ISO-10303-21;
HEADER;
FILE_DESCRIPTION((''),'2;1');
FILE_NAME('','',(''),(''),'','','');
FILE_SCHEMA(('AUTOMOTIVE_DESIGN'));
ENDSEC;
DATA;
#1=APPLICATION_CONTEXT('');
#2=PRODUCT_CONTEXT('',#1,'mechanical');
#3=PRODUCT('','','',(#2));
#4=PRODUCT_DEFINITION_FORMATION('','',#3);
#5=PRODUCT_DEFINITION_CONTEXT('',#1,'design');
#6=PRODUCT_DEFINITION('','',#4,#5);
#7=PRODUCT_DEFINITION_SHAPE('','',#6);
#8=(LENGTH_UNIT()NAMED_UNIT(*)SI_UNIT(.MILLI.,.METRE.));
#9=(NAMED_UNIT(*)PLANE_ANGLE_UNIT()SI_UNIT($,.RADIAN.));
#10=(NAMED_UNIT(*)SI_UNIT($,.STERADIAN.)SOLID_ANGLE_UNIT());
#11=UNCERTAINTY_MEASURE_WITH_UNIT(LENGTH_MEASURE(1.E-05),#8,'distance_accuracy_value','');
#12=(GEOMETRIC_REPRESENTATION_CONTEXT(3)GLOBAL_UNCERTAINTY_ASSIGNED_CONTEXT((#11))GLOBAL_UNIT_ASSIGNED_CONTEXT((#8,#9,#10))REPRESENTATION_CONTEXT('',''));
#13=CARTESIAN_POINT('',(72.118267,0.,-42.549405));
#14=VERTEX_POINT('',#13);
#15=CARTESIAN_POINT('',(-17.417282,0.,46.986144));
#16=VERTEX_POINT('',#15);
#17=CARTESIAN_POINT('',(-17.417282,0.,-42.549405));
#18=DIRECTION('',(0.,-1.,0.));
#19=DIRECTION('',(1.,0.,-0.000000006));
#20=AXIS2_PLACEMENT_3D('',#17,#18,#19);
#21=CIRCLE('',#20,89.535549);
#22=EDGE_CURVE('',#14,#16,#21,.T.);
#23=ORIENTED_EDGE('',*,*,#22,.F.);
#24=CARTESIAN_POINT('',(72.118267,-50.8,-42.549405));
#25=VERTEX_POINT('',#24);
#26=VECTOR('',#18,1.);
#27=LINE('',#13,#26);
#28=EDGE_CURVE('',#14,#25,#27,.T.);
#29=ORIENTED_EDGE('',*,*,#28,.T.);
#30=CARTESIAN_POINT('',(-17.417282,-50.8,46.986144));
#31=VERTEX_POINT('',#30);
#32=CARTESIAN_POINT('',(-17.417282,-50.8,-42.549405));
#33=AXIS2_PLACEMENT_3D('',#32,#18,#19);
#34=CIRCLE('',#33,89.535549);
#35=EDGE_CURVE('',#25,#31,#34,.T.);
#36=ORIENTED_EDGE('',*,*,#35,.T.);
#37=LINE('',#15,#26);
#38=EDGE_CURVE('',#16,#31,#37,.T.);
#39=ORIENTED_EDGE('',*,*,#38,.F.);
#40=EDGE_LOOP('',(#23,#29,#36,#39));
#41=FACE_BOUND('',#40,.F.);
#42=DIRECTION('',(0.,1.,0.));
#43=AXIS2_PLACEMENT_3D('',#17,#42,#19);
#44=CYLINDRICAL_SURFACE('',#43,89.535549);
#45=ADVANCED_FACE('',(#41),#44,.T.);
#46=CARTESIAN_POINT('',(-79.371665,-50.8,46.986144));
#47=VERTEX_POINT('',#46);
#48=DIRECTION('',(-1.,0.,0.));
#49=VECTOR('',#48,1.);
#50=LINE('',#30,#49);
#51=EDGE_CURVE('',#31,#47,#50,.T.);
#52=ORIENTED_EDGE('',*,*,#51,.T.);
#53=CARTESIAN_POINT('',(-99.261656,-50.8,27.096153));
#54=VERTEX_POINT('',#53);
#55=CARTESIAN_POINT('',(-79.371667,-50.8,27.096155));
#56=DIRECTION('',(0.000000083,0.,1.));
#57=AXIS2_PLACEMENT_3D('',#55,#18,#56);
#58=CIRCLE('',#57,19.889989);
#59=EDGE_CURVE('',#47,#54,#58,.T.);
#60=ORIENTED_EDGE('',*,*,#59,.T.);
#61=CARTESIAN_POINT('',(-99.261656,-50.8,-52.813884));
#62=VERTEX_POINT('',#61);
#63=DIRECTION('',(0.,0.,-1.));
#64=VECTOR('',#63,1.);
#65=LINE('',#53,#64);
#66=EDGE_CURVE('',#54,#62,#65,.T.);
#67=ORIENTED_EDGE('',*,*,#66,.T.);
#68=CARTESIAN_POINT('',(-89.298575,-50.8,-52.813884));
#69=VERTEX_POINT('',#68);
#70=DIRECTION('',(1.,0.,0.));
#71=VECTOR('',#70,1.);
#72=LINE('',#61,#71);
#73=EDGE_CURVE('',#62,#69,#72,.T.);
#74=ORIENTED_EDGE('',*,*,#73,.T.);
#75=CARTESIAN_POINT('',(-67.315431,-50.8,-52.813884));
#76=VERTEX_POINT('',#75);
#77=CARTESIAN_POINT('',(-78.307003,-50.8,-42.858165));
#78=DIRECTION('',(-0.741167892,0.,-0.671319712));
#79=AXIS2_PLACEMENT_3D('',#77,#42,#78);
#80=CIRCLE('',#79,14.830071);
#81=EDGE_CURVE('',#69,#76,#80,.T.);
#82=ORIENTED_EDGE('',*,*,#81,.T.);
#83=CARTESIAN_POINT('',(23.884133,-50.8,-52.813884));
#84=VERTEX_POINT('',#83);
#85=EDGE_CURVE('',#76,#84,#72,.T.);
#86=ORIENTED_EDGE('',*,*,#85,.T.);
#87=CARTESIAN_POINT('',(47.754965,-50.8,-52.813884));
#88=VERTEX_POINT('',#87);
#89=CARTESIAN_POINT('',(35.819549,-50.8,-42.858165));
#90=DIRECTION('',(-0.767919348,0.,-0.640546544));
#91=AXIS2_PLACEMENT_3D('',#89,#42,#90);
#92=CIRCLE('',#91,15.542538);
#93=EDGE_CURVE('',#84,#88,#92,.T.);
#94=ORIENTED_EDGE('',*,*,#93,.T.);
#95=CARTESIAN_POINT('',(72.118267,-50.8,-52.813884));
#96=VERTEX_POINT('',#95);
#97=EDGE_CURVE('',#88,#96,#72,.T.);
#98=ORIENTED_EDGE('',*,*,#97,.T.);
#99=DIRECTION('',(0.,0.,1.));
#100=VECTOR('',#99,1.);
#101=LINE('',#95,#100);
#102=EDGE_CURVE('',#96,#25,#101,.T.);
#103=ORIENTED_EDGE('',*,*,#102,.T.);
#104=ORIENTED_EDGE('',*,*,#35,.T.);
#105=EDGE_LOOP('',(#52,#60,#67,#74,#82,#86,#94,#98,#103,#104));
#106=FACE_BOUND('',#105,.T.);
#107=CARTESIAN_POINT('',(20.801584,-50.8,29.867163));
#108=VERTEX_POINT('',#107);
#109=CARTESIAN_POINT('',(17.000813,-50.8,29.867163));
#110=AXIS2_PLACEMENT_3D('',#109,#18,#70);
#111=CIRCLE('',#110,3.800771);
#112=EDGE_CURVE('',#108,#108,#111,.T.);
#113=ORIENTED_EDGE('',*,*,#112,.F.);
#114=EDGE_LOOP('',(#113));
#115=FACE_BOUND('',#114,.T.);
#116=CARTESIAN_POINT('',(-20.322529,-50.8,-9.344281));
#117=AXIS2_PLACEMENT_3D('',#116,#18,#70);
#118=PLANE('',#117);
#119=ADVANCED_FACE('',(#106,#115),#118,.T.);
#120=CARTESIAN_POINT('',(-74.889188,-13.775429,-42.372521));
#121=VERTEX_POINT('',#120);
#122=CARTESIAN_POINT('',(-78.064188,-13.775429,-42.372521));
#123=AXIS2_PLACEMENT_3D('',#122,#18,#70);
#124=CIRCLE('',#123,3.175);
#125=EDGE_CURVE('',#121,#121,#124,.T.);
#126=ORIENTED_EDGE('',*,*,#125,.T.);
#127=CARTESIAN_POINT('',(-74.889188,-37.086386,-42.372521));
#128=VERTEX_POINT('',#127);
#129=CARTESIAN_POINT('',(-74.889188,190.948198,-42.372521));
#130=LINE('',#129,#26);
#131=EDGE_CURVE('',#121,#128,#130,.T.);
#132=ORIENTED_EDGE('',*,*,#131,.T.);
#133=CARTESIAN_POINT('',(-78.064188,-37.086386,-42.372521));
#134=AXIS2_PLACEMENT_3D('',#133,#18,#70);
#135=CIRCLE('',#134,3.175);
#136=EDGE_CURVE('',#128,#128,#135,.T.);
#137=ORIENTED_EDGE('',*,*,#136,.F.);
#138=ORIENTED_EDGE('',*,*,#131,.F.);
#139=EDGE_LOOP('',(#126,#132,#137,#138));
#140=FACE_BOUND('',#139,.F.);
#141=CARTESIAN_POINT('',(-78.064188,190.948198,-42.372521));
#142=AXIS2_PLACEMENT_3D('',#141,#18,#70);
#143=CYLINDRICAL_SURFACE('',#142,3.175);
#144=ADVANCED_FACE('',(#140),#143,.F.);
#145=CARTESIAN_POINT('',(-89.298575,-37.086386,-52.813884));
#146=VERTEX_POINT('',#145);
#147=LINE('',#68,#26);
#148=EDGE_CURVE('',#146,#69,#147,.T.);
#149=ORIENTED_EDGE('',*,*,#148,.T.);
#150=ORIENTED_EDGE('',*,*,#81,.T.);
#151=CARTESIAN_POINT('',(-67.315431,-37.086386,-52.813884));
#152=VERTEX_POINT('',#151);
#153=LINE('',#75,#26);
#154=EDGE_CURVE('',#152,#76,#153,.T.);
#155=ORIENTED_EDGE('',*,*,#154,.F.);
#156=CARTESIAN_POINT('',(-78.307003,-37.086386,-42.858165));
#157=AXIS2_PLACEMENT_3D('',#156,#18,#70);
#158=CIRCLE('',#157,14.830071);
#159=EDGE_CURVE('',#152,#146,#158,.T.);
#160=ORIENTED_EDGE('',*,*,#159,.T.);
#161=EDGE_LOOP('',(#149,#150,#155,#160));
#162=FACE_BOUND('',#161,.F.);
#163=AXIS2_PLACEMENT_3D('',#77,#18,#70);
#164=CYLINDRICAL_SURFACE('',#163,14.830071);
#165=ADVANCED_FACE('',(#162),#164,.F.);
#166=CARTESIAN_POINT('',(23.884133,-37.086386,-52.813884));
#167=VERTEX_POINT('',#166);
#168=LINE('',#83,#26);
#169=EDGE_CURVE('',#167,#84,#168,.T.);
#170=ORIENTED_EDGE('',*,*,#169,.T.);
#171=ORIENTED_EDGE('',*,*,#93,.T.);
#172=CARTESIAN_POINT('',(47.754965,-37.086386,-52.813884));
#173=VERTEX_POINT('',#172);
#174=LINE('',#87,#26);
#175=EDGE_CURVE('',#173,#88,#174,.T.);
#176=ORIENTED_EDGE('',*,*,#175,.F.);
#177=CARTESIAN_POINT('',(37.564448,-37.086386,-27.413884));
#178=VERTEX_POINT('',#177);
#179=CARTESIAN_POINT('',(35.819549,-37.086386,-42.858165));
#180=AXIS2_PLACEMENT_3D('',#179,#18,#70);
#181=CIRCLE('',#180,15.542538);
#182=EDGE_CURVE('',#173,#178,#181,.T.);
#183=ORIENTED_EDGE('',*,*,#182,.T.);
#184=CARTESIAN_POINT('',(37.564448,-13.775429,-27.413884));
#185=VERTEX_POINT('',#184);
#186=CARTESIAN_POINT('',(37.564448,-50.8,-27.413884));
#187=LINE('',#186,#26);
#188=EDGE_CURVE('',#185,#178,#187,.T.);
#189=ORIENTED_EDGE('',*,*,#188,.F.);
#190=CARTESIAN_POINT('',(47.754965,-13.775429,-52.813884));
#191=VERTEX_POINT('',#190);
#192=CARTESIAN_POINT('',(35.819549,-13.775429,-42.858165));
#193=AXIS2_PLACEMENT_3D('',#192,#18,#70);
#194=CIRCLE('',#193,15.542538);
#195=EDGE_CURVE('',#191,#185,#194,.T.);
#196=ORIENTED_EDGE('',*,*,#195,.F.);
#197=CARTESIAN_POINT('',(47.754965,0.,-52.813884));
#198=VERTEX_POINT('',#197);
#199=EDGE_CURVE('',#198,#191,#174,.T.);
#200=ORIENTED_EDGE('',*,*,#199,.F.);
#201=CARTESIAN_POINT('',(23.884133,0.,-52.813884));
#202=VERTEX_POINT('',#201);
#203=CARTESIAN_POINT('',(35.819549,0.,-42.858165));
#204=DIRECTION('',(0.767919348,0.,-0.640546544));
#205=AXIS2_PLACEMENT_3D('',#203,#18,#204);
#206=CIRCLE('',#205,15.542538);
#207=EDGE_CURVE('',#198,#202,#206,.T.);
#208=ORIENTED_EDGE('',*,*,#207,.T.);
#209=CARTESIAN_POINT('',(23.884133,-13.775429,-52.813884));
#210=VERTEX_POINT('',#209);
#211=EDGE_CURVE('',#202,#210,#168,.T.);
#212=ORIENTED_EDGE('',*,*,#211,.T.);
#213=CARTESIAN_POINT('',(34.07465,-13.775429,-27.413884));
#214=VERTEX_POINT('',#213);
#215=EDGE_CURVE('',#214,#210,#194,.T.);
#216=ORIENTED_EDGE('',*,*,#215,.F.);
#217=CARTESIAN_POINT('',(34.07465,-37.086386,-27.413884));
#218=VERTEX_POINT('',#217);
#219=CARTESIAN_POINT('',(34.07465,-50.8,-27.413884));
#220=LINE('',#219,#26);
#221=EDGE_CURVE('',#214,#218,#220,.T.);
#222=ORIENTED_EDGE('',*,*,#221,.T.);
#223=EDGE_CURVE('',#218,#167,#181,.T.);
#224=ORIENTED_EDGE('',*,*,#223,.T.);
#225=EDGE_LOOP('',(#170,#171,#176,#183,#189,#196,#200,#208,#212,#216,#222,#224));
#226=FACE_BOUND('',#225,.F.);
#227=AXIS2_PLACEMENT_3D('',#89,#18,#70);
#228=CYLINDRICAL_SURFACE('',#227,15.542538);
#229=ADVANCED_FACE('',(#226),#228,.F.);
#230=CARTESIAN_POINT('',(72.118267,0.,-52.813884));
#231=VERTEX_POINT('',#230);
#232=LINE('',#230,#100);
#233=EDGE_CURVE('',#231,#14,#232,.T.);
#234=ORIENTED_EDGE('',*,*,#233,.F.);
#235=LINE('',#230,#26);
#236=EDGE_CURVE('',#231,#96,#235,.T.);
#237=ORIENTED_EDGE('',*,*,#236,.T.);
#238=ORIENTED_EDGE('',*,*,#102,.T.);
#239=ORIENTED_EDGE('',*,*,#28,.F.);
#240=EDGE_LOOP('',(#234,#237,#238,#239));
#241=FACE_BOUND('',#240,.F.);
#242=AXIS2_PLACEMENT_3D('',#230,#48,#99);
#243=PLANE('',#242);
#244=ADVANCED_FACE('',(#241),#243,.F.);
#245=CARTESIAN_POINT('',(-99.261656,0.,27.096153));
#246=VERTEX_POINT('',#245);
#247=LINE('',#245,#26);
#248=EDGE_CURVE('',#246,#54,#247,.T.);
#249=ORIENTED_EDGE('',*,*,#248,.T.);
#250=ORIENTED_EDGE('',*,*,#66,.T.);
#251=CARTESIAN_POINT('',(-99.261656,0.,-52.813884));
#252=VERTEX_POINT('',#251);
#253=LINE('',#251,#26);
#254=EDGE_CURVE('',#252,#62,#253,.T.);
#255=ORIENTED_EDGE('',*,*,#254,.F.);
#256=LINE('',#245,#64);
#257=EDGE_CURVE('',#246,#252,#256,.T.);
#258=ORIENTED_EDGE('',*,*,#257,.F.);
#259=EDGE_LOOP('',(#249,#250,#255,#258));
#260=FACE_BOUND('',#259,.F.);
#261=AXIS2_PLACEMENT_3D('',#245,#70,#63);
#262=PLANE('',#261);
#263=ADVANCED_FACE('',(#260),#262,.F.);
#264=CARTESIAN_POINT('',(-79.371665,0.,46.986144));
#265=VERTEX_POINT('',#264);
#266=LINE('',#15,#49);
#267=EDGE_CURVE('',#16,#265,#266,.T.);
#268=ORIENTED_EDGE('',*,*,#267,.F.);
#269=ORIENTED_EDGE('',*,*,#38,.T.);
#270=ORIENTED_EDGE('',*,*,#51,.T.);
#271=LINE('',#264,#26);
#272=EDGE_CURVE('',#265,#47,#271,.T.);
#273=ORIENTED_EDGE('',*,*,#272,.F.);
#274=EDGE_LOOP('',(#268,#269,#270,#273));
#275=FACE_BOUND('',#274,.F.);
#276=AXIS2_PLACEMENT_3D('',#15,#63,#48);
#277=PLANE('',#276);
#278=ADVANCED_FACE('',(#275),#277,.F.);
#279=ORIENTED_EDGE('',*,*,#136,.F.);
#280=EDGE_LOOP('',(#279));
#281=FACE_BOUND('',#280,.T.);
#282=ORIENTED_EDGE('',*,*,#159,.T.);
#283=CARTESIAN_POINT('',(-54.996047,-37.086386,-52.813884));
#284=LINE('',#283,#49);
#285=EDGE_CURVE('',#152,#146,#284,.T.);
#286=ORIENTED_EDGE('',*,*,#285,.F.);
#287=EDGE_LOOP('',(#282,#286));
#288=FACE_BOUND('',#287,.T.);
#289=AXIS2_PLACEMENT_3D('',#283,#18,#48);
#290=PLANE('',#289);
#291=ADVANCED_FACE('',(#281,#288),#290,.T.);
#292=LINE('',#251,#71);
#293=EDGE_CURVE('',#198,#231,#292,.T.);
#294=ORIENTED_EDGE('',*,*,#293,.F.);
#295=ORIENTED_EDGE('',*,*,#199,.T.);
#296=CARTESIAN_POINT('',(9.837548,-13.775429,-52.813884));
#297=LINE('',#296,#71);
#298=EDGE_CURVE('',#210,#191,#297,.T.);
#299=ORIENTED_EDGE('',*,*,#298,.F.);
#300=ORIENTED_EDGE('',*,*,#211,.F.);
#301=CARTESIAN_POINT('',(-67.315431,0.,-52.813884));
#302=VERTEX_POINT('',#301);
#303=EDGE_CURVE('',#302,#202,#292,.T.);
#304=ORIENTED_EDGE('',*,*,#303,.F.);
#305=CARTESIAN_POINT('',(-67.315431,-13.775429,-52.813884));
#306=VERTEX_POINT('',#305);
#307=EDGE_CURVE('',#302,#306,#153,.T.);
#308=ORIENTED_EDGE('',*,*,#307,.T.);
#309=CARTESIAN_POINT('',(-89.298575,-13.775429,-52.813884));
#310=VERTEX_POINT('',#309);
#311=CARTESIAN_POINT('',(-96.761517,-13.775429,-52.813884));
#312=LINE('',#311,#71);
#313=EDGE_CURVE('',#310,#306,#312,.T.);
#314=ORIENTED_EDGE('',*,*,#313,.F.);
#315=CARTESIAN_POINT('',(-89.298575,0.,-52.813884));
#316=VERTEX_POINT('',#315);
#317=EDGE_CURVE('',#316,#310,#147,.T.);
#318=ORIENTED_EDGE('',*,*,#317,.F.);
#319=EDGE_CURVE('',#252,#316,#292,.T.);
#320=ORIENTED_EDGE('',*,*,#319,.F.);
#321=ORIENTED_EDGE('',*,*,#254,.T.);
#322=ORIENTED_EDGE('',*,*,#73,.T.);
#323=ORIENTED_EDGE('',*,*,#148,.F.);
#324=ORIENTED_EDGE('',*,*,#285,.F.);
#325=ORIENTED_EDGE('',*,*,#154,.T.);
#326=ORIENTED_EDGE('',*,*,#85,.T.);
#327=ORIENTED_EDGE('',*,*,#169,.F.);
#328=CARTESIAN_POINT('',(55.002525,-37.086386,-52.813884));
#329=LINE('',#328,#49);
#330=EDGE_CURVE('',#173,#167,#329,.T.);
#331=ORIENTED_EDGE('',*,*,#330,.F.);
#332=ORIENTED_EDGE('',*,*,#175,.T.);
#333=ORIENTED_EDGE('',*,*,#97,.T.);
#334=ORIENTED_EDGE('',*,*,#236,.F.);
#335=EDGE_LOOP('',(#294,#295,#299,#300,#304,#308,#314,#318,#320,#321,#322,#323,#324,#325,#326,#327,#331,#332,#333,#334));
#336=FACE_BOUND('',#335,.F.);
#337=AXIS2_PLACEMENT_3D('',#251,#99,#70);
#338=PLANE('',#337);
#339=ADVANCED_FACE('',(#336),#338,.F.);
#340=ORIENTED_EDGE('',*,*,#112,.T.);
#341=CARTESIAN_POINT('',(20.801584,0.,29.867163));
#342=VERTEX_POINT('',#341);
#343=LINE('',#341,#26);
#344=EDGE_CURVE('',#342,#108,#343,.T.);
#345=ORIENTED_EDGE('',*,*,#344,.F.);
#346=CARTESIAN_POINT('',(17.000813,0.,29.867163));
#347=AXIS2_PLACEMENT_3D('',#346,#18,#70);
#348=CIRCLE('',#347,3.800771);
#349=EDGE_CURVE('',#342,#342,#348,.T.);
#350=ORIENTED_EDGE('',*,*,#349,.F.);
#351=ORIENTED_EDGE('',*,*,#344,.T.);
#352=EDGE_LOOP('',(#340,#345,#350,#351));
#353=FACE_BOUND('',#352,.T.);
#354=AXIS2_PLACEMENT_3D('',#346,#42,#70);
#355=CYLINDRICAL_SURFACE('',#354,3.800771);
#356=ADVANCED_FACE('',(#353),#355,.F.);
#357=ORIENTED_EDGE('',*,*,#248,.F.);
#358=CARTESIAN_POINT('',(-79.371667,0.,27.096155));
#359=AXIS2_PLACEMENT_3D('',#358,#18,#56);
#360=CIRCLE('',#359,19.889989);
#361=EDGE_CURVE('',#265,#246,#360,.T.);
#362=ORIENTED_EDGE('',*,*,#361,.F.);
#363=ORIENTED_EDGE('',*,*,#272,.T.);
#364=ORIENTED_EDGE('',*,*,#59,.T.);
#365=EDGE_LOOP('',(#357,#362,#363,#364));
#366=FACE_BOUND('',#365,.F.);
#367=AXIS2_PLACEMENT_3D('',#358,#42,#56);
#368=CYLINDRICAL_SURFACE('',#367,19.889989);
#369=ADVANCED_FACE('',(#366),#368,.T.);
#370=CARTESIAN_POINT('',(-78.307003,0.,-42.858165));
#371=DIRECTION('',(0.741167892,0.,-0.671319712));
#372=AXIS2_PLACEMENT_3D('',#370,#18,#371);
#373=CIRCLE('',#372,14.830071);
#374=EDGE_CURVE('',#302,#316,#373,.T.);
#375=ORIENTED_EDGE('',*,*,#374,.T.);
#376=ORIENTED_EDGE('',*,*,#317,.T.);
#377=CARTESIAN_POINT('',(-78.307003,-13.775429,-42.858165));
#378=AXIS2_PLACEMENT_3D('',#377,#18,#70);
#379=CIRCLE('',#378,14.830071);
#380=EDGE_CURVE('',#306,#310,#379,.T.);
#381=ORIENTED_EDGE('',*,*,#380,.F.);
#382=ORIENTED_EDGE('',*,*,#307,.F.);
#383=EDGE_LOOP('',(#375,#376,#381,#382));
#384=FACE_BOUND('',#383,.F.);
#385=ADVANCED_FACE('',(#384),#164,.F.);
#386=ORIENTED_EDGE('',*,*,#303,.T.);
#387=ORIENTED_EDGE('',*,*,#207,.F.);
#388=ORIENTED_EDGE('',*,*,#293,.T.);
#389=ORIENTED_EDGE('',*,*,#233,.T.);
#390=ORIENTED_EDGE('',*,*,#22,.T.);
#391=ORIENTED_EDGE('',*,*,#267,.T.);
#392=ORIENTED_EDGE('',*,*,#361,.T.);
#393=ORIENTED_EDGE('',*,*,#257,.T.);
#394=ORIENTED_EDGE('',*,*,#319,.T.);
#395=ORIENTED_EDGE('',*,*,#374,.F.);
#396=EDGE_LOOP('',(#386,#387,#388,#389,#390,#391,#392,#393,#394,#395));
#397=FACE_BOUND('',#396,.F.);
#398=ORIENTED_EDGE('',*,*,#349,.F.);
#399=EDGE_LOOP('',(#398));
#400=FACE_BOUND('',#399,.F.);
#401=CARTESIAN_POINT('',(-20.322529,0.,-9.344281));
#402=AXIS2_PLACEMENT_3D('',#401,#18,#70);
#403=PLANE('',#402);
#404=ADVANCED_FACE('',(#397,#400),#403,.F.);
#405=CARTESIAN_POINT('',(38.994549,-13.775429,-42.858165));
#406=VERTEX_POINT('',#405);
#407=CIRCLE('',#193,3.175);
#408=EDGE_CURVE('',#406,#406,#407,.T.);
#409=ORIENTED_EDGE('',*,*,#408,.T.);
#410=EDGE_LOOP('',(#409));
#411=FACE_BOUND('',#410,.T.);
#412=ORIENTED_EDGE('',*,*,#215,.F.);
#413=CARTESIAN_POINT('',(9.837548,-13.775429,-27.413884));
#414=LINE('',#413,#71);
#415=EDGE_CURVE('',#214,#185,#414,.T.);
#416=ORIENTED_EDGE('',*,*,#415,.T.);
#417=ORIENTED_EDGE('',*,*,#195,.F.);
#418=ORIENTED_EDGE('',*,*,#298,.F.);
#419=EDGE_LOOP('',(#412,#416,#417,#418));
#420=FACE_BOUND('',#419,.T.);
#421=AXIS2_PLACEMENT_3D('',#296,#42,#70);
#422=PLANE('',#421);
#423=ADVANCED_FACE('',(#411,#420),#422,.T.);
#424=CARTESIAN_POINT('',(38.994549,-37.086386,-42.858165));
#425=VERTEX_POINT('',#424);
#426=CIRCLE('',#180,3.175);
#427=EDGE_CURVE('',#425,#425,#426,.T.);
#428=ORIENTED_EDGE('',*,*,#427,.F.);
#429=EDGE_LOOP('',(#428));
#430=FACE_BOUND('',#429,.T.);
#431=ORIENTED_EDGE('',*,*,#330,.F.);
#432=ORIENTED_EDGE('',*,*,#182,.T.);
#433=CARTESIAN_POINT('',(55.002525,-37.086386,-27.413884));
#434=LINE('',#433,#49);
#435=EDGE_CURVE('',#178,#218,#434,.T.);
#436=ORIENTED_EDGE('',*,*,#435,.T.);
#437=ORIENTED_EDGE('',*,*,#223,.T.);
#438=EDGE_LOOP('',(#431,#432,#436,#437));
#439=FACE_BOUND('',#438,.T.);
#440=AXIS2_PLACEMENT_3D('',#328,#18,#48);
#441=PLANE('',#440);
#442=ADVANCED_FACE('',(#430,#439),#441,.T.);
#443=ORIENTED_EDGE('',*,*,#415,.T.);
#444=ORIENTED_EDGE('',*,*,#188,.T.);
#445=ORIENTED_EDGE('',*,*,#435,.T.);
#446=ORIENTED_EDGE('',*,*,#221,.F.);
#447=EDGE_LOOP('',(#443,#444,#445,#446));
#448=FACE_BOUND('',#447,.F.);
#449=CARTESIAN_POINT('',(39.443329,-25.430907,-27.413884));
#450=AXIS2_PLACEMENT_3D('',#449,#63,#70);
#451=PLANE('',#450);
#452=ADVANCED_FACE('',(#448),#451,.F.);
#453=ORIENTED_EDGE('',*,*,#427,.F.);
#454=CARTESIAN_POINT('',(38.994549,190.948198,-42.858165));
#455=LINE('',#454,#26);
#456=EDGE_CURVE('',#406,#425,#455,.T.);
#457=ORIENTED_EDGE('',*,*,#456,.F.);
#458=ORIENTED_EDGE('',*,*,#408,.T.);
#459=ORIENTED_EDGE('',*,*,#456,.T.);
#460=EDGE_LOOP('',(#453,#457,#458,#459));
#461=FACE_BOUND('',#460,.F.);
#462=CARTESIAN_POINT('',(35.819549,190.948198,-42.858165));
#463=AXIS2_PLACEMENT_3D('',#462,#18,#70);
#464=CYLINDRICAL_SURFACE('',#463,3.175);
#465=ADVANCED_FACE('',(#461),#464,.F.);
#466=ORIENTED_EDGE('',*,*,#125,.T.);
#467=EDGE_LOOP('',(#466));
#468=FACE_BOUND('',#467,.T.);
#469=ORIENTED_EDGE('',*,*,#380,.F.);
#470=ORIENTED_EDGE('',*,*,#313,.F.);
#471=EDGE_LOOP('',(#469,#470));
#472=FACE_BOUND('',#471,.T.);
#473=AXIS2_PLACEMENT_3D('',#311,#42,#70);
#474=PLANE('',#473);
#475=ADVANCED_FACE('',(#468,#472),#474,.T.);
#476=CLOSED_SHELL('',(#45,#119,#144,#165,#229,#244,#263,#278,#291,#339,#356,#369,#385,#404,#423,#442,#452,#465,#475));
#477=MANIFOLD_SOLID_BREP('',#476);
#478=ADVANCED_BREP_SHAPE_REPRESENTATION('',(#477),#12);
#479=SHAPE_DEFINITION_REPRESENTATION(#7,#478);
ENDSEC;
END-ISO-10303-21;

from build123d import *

# Parameters (mm, degrees)
F0_R     = 3.800771
F1_DEPTH = 50.8
F3_D     = 6.35
F2_R     = 14.830071
F2_R_2   = 15.542538
F4_DEPTH = 50.8
F6_DEPTH = 25.4
F8_D     = 6.35
F9_D     = 6.35


with BuildPart() as f1:
    # F0 (on Front) → F1 (new body)
    with BuildSketch(Plane.XZ):
        with BuildLine():
            Line((-17.417282, 46.986144), (-79.371665, 46.986144))
            ThreePointArc((-79.371665, 46.986144), (-93.436013, 41.160501), (-99.261656, 27.096153))
            Line((-99.261656, 27.096153), (-99.261656, -52.813884))
            Line((-99.261656, -52.813884), (72.118267, -52.813884))
            Line((72.118267, -52.813884), (72.118267, -42.549405))
            ThreePointArc((72.118267, -42.549405), (45.893912, 20.761789), (-17.417282, 46.986144))
        make_face()
        with Locations((17.000813, 29.867163)):
            Circle(F0_R, mode=Mode.SUBTRACT)
    extrude(amount=F1_DEPTH)

    # F3 (through all)
    with Locations(Plane.XZ.offset(50.8)):
        with Locations((-78.307003, -42.858165), (35.819549, -42.858165)):
            Hole(F3_D / 2)

    # F2 (on face) → F4 (cut)
    with BuildSketch(Plane.XZ.offset(50.8)):
        with Locations((-78.307003, -42.858165)):
            Circle(F2_R)
        with Locations((35.819549, -42.858165)):
            Circle(F2_R_2)
    extrude(amount=-F4_DEPTH, mode=Mode.SUBTRACT)

    # F5 (on face) → F6 (join)
    with BuildSketch(Plane(origin=(0, 0, -52.813884), x_dir=(1, 0, 0), z_dir=(0, 0, -1))):
        Polygon((23.884133, 22.274217), (23.884133, 18.090272), (23.884133, 13.775429), (55.002525, 13.775429), (55.002525, 37.086386), (23.884133, 37.086386), (23.884133, 35.816312), align=None)
        Polygon((9.837548, 22.274217), (23.884133, 22.274217), (23.884133, 35.816312), (23.884133, 37.086386), (9.837548, 37.086386), align=None)
        Polygon((23.884133, 13.775429), (23.884133, 18.090272), (23.884133, 22.274217), (9.837548, 22.274217), (9.837548, 13.775429), align=None)
        Polygon((-67.315431, 17.847452), (-67.315431, 13.775429), (-54.996047, 13.775429), (-54.996047, 37.086386), (-67.315431, 37.086386), (-67.315431, 35.087846), align=None)
        Polygon((-96.761517, 13.775429), (-67.315431, 13.775429), (-67.315431, 17.847452), (-67.315431, 35.087846), (-67.315431, 37.086386), (-96.761517, 37.086386), align=None)
    extrude(amount=-F6_DEPTH)

    # F8 (through all)
    with Locations(Plane(origin=(0, -13.775429, 0), x_dir=(-1, 0, 0), z_dir=(0, 1, 0))):
        with Locations((-35.819549, -42.858165)):
            Hole(F8_D / 2)

    # F9 (through all)
    with Locations(Plane(origin=(0, -13.775429, 0), x_dir=(-1, 0, 0), z_dir=(0, 1, 0))):
        with Locations((78.064188, -42.372521)):
            Hole(F9_D / 2)


solid = f1.part
